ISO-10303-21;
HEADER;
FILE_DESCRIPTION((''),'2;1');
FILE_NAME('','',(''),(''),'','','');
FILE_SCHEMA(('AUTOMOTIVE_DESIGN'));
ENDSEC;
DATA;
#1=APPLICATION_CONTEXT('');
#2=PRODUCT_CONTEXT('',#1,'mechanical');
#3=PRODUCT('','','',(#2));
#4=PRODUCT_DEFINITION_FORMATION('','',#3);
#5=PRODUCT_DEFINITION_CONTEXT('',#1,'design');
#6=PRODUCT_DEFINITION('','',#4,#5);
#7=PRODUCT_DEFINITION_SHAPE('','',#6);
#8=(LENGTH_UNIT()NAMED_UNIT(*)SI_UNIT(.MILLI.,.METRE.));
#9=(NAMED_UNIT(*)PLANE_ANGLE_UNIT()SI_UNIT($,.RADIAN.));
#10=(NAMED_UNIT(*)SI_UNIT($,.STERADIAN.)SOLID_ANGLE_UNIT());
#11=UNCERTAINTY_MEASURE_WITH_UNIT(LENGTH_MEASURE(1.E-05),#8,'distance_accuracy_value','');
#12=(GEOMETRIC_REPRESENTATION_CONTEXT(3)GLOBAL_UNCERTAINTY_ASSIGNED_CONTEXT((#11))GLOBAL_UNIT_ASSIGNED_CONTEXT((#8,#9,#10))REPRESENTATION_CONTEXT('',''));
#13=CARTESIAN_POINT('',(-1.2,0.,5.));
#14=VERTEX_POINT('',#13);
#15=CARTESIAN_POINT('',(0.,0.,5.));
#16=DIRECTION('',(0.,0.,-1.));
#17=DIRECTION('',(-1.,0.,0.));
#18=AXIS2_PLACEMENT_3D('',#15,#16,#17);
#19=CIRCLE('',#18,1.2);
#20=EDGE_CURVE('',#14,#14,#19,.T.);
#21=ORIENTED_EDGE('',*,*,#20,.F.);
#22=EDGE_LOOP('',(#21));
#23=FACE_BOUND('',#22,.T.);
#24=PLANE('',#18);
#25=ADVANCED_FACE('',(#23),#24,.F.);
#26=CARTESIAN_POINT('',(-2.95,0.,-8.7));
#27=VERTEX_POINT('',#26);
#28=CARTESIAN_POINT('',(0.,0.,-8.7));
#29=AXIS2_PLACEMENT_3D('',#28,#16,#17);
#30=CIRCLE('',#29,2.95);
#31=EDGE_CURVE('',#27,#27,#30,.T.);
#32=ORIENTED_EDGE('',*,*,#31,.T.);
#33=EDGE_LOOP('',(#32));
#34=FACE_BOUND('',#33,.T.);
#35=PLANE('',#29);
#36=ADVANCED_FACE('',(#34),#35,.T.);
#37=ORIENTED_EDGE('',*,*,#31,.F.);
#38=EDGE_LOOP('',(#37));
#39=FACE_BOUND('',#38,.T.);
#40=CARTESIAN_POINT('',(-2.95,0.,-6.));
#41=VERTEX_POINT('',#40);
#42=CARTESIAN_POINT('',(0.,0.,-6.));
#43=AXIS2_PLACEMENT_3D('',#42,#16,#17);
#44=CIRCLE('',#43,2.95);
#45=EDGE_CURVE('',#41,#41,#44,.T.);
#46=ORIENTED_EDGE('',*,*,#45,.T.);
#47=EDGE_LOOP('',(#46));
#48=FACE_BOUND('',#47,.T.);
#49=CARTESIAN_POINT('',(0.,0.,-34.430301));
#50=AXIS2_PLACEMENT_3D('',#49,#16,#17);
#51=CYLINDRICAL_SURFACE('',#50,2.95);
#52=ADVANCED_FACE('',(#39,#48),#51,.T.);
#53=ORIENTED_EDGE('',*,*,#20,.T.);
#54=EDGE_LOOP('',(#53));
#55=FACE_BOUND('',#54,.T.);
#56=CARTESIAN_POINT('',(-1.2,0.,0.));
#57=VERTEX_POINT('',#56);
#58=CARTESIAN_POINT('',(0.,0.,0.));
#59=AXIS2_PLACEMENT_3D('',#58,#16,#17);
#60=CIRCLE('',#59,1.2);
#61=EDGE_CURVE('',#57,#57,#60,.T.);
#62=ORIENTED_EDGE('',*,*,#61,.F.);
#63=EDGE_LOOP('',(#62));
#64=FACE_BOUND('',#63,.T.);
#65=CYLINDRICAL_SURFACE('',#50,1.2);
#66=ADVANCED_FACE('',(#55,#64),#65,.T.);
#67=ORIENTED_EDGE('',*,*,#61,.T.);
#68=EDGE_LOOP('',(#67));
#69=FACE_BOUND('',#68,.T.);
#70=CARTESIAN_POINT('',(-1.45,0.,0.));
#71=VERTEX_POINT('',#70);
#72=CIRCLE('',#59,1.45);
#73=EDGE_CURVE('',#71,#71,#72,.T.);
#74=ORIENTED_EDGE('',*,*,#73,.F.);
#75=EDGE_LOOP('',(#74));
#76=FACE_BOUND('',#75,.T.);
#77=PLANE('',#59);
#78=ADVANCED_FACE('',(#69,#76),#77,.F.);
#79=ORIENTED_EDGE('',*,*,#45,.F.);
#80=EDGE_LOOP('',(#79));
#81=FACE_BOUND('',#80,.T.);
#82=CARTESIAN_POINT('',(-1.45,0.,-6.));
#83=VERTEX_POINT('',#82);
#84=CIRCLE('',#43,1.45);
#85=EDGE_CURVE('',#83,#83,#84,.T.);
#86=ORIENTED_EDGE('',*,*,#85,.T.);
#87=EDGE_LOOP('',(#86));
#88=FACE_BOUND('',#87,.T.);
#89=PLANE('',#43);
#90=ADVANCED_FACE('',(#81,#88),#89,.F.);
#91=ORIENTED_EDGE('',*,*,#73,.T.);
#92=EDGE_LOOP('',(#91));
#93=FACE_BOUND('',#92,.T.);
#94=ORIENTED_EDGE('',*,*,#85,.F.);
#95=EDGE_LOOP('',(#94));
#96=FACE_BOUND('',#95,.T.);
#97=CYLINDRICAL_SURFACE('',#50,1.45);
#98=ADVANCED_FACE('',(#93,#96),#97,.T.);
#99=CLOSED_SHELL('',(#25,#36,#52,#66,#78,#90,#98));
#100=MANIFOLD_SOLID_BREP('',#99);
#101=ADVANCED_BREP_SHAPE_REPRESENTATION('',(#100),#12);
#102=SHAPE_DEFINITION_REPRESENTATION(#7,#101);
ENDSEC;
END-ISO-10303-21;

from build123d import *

# Parameters (mm, degrees)
SKETCH_1_W = 1.2
SKETCH_1_H = 5


with BuildPart() as part:
    # 草图1 → 旋转1 (revolve)
    with BuildSketch(Plane(origin=(0, 0, 0), x_dir=(1, 0, 0), z_dir=(0, 1, 0)), mode=Mode.PRIVATE) as revolve_1_sk:
        Polygon((0, 8.7), (0, 6), (1.45, 6), (2.95, 6), (2.95, 8.7), align=None)
        Polygon((0, 6), (0, 0), (1.2, 0), (1.45, 0), (1.45, 6), align=None)
        with Locations((0.6, -2.5)):
            Rectangle(SKETCH_1_W, SKETCH_1_H)
    revolve(revolve_1_sk.sketch.rotate(Axis((0, 0, -34.43030142), (0, 0, 1)), 180), axis=Axis((0, 0, -34.43030142), (0, 0, 1)))


solid = part.part
